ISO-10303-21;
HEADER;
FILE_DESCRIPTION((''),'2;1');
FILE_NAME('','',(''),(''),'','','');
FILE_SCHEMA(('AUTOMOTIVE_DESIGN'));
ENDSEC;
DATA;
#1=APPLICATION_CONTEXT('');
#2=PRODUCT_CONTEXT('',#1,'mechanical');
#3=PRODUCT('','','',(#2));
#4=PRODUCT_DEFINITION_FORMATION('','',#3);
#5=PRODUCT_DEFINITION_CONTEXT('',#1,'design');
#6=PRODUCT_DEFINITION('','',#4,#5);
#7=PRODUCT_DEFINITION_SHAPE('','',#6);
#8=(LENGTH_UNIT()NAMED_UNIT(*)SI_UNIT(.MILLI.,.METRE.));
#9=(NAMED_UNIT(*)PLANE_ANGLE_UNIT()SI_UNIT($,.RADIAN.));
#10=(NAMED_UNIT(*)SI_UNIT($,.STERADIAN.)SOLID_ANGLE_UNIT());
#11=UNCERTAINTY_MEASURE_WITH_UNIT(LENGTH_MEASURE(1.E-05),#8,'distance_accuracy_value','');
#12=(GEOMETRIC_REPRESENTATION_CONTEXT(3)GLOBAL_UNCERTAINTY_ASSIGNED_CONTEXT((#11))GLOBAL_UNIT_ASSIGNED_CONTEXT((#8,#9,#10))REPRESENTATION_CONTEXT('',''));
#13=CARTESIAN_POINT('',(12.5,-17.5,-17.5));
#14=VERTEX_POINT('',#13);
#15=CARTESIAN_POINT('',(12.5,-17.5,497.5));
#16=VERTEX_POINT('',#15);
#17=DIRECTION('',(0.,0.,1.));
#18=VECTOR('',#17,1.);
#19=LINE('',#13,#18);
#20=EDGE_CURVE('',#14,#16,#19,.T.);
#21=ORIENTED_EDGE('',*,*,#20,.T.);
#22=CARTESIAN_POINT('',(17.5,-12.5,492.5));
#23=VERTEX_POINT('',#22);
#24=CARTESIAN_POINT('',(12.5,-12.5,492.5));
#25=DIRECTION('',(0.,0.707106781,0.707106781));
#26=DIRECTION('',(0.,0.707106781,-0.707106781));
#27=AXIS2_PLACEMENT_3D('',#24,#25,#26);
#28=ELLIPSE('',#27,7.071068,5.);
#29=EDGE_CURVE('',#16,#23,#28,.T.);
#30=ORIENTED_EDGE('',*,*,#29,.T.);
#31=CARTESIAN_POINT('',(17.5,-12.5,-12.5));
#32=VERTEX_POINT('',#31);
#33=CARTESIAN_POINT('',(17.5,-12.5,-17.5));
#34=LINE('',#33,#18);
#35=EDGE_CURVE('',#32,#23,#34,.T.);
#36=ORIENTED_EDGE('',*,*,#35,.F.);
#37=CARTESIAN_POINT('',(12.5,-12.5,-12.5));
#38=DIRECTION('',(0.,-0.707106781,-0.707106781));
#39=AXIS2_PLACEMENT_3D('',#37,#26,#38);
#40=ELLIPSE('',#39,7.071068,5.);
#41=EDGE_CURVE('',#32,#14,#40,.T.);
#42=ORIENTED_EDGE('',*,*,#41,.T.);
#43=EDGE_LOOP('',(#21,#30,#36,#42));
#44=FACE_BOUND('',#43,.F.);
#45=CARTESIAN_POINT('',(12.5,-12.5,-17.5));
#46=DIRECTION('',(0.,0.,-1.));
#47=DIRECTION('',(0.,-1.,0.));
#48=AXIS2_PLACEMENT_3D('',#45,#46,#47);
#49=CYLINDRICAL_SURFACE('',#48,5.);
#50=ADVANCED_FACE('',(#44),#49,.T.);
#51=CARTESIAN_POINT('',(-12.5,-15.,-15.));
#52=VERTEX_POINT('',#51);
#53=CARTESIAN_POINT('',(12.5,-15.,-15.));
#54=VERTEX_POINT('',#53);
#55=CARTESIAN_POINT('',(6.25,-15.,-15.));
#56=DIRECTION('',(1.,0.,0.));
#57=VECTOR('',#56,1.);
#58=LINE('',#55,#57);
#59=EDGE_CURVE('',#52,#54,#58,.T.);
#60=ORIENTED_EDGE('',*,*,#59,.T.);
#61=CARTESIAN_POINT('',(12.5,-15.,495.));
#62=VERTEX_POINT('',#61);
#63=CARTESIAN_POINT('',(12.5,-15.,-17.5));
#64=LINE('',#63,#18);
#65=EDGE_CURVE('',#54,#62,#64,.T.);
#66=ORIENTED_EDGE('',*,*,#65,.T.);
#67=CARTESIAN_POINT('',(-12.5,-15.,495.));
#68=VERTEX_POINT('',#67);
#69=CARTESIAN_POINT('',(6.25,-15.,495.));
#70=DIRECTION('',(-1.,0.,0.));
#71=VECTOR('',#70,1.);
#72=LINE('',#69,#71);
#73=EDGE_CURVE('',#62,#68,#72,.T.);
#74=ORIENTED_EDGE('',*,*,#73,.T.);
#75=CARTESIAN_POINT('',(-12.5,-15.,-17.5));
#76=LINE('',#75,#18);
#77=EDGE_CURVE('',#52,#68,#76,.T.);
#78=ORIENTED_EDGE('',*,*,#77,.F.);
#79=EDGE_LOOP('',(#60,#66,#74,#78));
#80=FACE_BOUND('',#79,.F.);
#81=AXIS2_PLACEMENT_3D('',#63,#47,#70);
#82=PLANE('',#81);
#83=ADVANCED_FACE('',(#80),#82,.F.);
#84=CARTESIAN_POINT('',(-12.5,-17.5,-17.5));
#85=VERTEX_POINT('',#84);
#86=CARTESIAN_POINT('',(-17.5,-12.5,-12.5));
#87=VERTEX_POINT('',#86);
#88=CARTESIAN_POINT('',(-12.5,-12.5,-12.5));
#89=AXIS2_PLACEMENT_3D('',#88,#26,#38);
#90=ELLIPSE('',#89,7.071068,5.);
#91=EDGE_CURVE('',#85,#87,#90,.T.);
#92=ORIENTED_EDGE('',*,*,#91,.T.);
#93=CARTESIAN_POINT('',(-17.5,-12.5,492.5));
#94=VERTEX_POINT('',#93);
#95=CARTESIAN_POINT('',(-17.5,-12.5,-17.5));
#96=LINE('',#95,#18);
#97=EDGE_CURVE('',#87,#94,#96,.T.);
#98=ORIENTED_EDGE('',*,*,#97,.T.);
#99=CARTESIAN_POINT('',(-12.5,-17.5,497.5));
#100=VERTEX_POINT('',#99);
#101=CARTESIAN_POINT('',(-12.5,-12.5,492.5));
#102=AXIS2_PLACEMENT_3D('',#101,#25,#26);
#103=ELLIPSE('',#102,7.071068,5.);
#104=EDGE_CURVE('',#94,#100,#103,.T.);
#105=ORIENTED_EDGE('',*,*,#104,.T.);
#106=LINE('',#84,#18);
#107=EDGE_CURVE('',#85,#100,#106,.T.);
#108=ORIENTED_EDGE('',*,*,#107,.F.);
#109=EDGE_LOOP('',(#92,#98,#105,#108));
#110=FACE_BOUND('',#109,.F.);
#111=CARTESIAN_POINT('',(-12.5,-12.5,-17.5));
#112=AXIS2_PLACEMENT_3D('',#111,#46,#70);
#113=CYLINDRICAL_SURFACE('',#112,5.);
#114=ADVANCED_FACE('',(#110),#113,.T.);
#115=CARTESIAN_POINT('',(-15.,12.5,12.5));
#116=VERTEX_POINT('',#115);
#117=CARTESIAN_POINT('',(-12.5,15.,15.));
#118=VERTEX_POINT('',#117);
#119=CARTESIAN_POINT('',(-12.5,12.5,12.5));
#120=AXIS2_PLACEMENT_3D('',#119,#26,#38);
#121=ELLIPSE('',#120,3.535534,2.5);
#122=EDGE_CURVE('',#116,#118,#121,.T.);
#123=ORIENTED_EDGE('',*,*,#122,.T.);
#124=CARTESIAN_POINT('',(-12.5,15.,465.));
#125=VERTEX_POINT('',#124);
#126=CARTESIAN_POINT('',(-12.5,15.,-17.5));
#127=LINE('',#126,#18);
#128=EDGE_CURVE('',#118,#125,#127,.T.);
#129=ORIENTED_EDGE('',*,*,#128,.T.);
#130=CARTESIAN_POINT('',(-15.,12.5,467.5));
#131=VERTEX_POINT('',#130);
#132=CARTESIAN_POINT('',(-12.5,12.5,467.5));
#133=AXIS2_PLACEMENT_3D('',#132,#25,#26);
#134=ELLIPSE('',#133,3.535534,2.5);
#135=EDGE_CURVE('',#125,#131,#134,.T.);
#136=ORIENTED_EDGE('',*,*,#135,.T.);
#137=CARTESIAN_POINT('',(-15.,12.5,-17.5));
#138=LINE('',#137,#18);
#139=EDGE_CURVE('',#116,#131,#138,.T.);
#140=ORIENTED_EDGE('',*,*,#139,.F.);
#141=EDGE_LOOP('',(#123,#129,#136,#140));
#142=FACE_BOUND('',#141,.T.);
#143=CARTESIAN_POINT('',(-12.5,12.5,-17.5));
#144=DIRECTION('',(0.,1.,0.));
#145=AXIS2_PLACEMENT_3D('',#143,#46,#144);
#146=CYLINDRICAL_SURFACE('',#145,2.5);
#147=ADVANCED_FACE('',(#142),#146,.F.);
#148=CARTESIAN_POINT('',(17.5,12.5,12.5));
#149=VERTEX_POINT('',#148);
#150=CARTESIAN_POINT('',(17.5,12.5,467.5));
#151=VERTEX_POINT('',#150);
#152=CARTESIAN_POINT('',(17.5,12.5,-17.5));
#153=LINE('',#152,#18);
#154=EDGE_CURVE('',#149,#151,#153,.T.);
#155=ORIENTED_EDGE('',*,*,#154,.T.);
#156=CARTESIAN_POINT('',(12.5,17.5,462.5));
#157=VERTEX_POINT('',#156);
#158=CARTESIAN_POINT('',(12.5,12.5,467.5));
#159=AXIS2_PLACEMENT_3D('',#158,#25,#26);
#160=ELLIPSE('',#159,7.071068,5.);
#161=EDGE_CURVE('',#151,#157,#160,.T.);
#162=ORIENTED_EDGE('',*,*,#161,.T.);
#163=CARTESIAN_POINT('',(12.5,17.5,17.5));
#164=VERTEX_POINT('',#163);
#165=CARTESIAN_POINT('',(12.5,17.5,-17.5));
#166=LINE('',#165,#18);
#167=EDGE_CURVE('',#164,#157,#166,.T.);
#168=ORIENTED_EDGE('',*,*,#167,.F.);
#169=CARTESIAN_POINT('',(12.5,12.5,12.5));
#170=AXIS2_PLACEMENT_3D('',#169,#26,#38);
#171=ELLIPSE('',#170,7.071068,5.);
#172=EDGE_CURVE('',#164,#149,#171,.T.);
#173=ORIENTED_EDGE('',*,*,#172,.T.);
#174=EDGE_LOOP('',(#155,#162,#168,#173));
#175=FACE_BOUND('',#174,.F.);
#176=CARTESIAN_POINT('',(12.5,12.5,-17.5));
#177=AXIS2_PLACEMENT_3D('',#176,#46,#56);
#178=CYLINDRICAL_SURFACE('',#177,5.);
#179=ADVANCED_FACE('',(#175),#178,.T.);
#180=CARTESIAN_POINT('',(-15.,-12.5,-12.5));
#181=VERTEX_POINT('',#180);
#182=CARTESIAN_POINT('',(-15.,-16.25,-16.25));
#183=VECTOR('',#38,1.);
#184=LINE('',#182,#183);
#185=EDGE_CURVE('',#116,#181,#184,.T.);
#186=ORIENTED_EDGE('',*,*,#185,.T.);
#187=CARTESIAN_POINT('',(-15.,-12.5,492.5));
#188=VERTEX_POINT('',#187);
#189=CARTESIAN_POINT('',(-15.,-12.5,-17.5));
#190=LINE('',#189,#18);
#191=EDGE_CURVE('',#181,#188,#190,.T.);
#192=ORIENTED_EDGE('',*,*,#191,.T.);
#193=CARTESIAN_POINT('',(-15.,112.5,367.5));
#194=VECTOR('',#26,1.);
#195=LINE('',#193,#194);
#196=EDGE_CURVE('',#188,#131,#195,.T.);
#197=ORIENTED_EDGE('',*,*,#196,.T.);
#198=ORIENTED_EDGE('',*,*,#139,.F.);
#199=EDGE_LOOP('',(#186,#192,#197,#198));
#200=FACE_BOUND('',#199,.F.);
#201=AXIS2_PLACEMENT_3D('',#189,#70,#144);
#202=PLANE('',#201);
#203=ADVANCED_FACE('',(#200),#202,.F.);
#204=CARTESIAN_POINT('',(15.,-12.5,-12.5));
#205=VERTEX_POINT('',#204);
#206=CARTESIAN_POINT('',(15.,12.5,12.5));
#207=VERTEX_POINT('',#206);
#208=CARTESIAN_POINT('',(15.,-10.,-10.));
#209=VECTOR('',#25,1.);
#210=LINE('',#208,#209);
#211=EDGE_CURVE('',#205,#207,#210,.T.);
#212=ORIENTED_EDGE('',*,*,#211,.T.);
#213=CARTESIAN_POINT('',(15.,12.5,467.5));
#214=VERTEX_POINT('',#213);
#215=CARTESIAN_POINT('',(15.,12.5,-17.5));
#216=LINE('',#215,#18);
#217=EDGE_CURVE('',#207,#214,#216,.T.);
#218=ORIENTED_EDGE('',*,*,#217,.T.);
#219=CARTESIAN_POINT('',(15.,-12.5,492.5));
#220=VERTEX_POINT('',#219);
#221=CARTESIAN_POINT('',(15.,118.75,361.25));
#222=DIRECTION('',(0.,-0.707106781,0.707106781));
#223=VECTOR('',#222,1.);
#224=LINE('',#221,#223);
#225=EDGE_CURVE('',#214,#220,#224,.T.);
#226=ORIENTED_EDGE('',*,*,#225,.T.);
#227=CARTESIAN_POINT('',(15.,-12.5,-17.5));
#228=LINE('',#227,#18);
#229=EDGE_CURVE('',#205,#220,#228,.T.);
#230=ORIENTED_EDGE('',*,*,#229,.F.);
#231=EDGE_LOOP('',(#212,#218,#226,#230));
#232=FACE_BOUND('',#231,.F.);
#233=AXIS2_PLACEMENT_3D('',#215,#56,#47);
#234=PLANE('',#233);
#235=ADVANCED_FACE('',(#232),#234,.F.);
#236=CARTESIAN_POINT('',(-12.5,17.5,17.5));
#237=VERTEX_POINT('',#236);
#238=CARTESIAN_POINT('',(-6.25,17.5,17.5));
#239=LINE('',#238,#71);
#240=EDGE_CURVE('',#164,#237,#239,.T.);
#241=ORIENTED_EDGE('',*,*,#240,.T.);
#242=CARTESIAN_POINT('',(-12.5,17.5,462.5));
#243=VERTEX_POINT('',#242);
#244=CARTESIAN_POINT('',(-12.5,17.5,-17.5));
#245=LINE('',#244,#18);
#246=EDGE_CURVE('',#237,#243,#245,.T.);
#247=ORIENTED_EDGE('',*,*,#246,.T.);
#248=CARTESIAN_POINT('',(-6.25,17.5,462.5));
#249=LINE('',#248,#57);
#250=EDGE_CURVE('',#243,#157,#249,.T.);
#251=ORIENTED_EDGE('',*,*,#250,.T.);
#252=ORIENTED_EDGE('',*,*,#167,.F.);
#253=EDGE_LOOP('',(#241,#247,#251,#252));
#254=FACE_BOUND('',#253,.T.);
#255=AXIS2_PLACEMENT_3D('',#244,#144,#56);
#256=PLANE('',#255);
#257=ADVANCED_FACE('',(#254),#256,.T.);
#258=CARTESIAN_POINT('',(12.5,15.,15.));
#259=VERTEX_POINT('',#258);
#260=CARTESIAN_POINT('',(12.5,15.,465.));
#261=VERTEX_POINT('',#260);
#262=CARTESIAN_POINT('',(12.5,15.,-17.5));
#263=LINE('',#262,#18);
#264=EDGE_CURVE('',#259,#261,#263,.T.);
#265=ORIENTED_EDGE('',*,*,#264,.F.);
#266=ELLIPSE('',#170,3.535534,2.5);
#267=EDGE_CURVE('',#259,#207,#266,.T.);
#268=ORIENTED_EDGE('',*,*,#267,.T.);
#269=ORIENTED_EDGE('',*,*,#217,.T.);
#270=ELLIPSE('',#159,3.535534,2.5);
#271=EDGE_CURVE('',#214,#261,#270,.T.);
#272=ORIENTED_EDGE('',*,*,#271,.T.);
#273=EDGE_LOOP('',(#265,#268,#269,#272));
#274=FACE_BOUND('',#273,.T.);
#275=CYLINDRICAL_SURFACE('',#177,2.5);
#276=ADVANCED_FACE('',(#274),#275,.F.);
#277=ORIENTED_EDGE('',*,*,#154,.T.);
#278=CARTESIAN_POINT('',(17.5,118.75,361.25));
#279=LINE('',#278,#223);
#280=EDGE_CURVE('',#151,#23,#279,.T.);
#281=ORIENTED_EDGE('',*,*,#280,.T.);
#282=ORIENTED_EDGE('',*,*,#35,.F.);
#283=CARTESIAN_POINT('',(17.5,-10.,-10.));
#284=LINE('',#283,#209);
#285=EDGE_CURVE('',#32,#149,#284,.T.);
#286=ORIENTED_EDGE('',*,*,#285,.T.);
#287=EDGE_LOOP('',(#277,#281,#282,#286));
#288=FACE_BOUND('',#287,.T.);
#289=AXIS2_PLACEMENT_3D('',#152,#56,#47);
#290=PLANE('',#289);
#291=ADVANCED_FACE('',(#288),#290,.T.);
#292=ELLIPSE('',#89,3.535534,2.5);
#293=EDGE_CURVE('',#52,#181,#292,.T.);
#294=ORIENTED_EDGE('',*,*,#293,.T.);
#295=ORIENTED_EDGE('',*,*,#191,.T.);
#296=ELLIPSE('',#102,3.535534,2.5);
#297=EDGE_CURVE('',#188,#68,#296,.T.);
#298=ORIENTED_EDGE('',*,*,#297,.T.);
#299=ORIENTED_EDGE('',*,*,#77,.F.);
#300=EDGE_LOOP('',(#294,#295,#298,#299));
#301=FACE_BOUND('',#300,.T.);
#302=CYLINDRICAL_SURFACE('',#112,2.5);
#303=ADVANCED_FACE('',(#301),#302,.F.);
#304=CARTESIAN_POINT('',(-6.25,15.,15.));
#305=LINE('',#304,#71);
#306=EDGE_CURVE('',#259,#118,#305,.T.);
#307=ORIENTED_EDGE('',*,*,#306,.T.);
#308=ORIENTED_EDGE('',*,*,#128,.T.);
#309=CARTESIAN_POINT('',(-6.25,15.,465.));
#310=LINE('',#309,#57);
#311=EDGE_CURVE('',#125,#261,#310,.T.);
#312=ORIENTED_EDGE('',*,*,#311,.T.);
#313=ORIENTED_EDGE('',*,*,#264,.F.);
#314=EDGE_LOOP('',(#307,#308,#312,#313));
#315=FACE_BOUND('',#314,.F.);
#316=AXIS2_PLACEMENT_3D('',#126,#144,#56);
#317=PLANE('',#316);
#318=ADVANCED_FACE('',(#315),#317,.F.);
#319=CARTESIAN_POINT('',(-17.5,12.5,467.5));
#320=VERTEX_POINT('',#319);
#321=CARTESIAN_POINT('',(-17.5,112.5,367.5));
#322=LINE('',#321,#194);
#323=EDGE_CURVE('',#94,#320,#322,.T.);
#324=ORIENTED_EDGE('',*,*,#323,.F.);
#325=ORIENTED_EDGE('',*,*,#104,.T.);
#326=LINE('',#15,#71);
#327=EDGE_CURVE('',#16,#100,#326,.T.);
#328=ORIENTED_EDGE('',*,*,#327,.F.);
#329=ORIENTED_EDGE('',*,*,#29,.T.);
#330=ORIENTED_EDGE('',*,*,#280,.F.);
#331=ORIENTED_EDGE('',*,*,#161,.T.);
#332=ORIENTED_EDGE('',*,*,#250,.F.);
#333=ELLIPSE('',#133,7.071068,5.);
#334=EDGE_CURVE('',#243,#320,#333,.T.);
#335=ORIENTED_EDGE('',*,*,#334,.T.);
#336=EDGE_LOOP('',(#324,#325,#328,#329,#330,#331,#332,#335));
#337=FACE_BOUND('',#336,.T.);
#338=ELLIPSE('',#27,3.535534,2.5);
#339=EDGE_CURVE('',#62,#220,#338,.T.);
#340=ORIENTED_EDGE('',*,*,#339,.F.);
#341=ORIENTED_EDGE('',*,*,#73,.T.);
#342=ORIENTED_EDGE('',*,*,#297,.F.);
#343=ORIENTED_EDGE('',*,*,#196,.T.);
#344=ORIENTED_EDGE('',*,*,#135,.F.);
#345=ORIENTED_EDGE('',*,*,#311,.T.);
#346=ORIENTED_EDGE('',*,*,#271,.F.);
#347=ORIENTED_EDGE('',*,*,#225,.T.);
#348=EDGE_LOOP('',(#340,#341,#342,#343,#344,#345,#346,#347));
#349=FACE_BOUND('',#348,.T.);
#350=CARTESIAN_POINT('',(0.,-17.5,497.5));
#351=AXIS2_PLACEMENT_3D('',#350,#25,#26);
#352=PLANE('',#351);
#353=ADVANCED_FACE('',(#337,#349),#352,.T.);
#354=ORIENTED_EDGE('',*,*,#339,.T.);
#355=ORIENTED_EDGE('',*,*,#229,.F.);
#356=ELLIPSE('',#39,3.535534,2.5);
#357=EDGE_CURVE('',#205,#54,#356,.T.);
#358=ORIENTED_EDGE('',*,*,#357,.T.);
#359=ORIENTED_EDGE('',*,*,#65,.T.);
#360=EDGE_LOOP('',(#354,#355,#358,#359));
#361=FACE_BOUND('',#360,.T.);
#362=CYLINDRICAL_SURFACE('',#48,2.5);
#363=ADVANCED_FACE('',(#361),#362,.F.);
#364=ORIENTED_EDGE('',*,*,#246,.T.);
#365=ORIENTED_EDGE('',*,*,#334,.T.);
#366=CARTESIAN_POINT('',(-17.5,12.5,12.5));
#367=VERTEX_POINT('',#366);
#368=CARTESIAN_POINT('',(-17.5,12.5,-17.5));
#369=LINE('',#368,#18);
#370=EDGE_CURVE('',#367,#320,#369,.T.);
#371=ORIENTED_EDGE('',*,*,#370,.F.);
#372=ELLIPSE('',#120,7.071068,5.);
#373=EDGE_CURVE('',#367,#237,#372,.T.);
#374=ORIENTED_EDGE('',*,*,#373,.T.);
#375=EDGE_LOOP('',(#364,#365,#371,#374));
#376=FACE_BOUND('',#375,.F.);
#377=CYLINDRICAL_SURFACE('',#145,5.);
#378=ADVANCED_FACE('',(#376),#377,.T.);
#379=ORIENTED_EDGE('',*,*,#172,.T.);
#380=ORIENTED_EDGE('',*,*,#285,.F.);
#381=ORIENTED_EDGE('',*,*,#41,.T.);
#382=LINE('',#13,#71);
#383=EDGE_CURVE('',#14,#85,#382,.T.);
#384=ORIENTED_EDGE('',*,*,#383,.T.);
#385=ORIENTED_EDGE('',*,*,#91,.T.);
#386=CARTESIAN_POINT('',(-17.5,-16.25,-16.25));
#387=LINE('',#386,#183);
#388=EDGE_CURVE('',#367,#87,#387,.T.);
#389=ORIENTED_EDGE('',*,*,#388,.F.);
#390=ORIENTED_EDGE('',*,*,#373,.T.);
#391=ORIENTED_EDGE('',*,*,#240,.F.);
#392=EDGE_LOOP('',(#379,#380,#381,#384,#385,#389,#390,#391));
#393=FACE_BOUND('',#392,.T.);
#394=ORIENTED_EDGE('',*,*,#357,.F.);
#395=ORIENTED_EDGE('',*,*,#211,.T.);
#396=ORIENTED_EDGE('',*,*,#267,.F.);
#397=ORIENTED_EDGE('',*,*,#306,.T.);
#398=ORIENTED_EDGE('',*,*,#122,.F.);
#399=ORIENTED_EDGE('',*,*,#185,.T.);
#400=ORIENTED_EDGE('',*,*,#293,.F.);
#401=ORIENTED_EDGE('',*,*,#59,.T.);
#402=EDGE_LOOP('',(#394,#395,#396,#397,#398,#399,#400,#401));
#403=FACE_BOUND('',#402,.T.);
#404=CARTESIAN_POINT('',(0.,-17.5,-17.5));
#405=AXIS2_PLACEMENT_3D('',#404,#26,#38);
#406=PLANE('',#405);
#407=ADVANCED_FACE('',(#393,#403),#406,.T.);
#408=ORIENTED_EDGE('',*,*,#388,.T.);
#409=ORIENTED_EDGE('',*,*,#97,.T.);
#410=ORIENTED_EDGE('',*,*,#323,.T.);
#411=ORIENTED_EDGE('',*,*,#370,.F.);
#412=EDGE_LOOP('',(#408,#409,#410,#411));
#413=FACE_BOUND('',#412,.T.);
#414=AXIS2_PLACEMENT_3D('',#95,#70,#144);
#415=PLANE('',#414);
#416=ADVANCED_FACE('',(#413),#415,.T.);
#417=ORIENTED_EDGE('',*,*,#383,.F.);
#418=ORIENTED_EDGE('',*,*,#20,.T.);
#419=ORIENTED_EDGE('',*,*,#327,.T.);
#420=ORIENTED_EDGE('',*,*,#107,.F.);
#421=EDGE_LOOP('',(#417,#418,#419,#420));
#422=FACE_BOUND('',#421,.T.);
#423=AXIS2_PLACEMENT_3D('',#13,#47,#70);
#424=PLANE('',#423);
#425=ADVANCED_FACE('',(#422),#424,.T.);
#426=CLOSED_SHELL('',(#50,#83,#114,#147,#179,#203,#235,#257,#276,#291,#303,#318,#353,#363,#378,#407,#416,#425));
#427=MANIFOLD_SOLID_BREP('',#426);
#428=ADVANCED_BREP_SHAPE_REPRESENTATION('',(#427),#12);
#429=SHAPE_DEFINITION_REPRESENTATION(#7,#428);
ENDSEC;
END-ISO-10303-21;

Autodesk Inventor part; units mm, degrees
ref_plane "Start plane" through (0, 0, -17.5) normal (0, 0, 1) x (1, 0, 0)
ref_plane "End plane" through (0, 0, 497.5) normal (0, 0, 1) x (1, 0, 0)
sketch "Sketch" plane through (0, 0, 0) normal (0, 0, 1) x (1, 0, 0)
  line L0 (-17.5, -12.5) -> (-17.5, 12.5)
  line L1 (-12.5, 17.5) -> (12.5, 17.5)
  line L2 (17.5, 12.5) -> (17.5, -12.5)
  line L3 (12.5, -17.5) -> (-12.5, -17.5)
  arc A0 (-17.5, -12.5) -> (-12.5, -17.5) centre (-12.5, -12.5) ccw
  arc A1 (-12.5, 17.5) -> (-17.5, 12.5) centre (-12.5, 12.5) ccw
  arc A2 (17.5, 12.5) -> (12.5, 17.5) centre (12.5, 12.5) ccw
  arc A3 (12.5, -17.5) -> (17.5, -12.5) centre (12.5, -12.5) ccw
  arc A4 (-12.5, 15) -> (-15, 12.5) centre (-12.5, 12.5) ccw
  line L4 (-12.5, 15) -> (12.5, 15)
  arc A5 (15, 12.5) -> (12.5, 15) centre (12.5, 12.5) ccw
  line L5 (15, 12.5) -> (15, -12.5)
  arc A6 (12.5, -15) -> (15, -12.5) centre (12.5, -12.5) ccw
  line L6 (12.5, -15) -> (-12.5, -15)
  arc A7 (-15, -12.5) -> (-12.5, -15) centre (-12.5, -12.5) ccw
  line L7 (-15, -12.5) -> (-15, 12.5)
  line L8 (0, 25.9497) -> (0, -25.9497) construction
  line L9 (-25.9497, 0) -> (25.9497, 0) construction
  dimension "d7" = 5
  dimension "d10" = 35
  dimension "d11" = 35
  dimension "d12" = 2.5
  dimension "d15" = 17.5
  dimension "d16" = 17.5
extrude "Body" add sketch "Sketch" along normal up to surface (515 mm away) from surface at -17.5
sketch "Sketch3" plane through (0, 0, 0) normal (0, 0, 1) x (1, 0, 0)
  line L0 (0, 0) -> (10, 0)
ref_plane "Work Plane3" through (0, 0, 0) normal (0, -1, 0) x (1, 0, 0)
sketch "Sketch4" plane through (0, 0, 0) normal (0, -1, 0) x (1, 0, 0)
  line L0 (-2, -17.5) -> (12, -17.5)
  line L1 (-2, 497.5) -> (12, 497.5)
  dimension "d18" = 515
ref_plane "Work Plane13" through (0, -17.5, 497.5) normal (0, 0.7071, 0.7071) x (1, 0, 0)
split "Split4" plane through (0, -17.5, 497.5) removes the side toward (0, 0.7071, 0.7071)
ref_plane "Work Plane14" through (0, -17.5, -17.5) normal (0, 0.7071, -0.7071) x (1, 0, 0)
split "Split5" plane through (0, -17.5, -17.5) removes the side toward (0, 0.7071, -0.7071)
equation "\"d7\" = G_IR"
equation "\"d10\" = G_H"
equation "\"d11\" = G_W"
equation "\"d12\" = G_T"
equation "\"d15\" = 0.5 * d10"
equation "\"d16\" = 0.5 * d11"
equation "\"d3\" = G_L"
equation "\"G_W\" = 35"
equation "\"G_H\" = 35"
equation "\"G_T\" = 2.5"
equation "\"G_IR\" = 5"
equation "\"G_L\" = d18"
equation "\"G_OFFSET_START\" = 17.5"
equation "\"G_OFFSET_END\" = 17.5"
equation "\"d13\" = -G_OFFSET_START"
equation "\"d14\" = G_OFFSET_END + B_L"
equation "\"B_L\" = 480"
properties part number "AS 1163 - C350L0 35x35x2.5 SHS - 515" material "Steel, Mild"
